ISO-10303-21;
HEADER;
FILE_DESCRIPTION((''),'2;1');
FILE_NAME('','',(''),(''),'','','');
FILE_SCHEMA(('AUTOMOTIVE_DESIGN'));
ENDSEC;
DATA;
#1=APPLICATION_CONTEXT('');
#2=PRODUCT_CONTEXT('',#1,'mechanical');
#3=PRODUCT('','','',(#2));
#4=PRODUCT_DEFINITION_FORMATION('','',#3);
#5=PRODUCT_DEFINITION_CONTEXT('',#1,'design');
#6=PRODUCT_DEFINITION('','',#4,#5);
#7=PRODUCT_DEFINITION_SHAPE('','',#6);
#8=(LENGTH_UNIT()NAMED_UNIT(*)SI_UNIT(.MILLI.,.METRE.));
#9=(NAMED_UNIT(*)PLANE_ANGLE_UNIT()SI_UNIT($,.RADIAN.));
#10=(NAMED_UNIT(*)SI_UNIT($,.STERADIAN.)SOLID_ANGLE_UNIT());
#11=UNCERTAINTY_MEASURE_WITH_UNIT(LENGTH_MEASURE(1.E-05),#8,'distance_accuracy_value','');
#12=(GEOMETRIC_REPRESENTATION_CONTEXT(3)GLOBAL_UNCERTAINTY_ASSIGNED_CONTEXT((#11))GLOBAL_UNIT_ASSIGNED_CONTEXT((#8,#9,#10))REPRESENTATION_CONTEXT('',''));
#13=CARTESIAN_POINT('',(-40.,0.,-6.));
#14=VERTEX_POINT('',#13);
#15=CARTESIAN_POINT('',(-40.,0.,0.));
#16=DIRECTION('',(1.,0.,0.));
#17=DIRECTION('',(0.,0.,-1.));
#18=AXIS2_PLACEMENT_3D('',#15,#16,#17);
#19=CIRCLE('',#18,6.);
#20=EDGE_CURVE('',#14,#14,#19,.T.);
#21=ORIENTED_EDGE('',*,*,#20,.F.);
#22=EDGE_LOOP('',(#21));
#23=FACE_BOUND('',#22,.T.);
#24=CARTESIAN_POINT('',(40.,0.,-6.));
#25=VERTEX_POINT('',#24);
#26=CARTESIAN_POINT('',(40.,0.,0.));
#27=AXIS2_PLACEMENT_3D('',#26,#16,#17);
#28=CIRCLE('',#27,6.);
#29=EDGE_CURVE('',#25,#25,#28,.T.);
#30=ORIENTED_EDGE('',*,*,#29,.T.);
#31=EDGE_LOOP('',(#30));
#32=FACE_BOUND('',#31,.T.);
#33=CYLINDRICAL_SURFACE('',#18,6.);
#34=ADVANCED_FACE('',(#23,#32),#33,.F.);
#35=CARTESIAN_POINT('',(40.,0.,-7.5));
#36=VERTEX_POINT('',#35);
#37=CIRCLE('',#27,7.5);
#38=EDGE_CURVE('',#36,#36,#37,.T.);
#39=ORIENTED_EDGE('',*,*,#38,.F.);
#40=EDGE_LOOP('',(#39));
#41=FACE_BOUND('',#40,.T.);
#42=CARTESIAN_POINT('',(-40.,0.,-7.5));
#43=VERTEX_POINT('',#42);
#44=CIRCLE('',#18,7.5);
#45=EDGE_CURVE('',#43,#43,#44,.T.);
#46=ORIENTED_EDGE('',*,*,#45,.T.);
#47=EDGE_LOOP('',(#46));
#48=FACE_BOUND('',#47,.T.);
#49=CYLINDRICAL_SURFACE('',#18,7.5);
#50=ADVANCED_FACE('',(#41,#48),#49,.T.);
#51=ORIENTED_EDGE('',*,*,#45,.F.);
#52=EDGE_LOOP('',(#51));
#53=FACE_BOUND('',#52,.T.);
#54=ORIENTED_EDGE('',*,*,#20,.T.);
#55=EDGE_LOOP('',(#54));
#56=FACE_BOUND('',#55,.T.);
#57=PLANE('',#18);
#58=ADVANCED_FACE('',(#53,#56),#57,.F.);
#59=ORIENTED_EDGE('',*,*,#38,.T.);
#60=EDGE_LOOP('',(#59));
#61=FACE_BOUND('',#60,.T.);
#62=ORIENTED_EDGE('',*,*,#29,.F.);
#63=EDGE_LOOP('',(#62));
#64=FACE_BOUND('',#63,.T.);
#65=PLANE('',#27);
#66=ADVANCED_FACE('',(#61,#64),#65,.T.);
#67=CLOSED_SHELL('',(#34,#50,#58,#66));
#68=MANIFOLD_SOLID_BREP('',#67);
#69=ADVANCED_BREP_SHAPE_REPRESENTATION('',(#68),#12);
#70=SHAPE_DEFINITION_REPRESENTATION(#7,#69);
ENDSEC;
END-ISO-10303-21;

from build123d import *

# Parameters (mm, degrees)
BOSS_EXTRUDE1_DEPTH      = 40
BOSS_EXTRUDE1_DEPTH_BACK = 40
SKETCH1_R                = 7.5
SKETCH1_R_2              = 6


with BuildPart() as part:
    # Sketch1 → Boss-Extrude1 (new, two sides: drawn at the far end of the back side and taken through both)
    with BuildSketch(Plane(origin=(0, 0, 0), x_dir=(0, 0, -1), z_dir=(1, 0, 0)).offset(-BOSS_EXTRUDE1_DEPTH_BACK)):
        Circle(SKETCH1_R)
        Circle(SKETCH1_R_2, mode=Mode.SUBTRACT)
    extrude(amount=BOSS_EXTRUDE1_DEPTH + BOSS_EXTRUDE1_DEPTH_BACK)


solid = part.part
